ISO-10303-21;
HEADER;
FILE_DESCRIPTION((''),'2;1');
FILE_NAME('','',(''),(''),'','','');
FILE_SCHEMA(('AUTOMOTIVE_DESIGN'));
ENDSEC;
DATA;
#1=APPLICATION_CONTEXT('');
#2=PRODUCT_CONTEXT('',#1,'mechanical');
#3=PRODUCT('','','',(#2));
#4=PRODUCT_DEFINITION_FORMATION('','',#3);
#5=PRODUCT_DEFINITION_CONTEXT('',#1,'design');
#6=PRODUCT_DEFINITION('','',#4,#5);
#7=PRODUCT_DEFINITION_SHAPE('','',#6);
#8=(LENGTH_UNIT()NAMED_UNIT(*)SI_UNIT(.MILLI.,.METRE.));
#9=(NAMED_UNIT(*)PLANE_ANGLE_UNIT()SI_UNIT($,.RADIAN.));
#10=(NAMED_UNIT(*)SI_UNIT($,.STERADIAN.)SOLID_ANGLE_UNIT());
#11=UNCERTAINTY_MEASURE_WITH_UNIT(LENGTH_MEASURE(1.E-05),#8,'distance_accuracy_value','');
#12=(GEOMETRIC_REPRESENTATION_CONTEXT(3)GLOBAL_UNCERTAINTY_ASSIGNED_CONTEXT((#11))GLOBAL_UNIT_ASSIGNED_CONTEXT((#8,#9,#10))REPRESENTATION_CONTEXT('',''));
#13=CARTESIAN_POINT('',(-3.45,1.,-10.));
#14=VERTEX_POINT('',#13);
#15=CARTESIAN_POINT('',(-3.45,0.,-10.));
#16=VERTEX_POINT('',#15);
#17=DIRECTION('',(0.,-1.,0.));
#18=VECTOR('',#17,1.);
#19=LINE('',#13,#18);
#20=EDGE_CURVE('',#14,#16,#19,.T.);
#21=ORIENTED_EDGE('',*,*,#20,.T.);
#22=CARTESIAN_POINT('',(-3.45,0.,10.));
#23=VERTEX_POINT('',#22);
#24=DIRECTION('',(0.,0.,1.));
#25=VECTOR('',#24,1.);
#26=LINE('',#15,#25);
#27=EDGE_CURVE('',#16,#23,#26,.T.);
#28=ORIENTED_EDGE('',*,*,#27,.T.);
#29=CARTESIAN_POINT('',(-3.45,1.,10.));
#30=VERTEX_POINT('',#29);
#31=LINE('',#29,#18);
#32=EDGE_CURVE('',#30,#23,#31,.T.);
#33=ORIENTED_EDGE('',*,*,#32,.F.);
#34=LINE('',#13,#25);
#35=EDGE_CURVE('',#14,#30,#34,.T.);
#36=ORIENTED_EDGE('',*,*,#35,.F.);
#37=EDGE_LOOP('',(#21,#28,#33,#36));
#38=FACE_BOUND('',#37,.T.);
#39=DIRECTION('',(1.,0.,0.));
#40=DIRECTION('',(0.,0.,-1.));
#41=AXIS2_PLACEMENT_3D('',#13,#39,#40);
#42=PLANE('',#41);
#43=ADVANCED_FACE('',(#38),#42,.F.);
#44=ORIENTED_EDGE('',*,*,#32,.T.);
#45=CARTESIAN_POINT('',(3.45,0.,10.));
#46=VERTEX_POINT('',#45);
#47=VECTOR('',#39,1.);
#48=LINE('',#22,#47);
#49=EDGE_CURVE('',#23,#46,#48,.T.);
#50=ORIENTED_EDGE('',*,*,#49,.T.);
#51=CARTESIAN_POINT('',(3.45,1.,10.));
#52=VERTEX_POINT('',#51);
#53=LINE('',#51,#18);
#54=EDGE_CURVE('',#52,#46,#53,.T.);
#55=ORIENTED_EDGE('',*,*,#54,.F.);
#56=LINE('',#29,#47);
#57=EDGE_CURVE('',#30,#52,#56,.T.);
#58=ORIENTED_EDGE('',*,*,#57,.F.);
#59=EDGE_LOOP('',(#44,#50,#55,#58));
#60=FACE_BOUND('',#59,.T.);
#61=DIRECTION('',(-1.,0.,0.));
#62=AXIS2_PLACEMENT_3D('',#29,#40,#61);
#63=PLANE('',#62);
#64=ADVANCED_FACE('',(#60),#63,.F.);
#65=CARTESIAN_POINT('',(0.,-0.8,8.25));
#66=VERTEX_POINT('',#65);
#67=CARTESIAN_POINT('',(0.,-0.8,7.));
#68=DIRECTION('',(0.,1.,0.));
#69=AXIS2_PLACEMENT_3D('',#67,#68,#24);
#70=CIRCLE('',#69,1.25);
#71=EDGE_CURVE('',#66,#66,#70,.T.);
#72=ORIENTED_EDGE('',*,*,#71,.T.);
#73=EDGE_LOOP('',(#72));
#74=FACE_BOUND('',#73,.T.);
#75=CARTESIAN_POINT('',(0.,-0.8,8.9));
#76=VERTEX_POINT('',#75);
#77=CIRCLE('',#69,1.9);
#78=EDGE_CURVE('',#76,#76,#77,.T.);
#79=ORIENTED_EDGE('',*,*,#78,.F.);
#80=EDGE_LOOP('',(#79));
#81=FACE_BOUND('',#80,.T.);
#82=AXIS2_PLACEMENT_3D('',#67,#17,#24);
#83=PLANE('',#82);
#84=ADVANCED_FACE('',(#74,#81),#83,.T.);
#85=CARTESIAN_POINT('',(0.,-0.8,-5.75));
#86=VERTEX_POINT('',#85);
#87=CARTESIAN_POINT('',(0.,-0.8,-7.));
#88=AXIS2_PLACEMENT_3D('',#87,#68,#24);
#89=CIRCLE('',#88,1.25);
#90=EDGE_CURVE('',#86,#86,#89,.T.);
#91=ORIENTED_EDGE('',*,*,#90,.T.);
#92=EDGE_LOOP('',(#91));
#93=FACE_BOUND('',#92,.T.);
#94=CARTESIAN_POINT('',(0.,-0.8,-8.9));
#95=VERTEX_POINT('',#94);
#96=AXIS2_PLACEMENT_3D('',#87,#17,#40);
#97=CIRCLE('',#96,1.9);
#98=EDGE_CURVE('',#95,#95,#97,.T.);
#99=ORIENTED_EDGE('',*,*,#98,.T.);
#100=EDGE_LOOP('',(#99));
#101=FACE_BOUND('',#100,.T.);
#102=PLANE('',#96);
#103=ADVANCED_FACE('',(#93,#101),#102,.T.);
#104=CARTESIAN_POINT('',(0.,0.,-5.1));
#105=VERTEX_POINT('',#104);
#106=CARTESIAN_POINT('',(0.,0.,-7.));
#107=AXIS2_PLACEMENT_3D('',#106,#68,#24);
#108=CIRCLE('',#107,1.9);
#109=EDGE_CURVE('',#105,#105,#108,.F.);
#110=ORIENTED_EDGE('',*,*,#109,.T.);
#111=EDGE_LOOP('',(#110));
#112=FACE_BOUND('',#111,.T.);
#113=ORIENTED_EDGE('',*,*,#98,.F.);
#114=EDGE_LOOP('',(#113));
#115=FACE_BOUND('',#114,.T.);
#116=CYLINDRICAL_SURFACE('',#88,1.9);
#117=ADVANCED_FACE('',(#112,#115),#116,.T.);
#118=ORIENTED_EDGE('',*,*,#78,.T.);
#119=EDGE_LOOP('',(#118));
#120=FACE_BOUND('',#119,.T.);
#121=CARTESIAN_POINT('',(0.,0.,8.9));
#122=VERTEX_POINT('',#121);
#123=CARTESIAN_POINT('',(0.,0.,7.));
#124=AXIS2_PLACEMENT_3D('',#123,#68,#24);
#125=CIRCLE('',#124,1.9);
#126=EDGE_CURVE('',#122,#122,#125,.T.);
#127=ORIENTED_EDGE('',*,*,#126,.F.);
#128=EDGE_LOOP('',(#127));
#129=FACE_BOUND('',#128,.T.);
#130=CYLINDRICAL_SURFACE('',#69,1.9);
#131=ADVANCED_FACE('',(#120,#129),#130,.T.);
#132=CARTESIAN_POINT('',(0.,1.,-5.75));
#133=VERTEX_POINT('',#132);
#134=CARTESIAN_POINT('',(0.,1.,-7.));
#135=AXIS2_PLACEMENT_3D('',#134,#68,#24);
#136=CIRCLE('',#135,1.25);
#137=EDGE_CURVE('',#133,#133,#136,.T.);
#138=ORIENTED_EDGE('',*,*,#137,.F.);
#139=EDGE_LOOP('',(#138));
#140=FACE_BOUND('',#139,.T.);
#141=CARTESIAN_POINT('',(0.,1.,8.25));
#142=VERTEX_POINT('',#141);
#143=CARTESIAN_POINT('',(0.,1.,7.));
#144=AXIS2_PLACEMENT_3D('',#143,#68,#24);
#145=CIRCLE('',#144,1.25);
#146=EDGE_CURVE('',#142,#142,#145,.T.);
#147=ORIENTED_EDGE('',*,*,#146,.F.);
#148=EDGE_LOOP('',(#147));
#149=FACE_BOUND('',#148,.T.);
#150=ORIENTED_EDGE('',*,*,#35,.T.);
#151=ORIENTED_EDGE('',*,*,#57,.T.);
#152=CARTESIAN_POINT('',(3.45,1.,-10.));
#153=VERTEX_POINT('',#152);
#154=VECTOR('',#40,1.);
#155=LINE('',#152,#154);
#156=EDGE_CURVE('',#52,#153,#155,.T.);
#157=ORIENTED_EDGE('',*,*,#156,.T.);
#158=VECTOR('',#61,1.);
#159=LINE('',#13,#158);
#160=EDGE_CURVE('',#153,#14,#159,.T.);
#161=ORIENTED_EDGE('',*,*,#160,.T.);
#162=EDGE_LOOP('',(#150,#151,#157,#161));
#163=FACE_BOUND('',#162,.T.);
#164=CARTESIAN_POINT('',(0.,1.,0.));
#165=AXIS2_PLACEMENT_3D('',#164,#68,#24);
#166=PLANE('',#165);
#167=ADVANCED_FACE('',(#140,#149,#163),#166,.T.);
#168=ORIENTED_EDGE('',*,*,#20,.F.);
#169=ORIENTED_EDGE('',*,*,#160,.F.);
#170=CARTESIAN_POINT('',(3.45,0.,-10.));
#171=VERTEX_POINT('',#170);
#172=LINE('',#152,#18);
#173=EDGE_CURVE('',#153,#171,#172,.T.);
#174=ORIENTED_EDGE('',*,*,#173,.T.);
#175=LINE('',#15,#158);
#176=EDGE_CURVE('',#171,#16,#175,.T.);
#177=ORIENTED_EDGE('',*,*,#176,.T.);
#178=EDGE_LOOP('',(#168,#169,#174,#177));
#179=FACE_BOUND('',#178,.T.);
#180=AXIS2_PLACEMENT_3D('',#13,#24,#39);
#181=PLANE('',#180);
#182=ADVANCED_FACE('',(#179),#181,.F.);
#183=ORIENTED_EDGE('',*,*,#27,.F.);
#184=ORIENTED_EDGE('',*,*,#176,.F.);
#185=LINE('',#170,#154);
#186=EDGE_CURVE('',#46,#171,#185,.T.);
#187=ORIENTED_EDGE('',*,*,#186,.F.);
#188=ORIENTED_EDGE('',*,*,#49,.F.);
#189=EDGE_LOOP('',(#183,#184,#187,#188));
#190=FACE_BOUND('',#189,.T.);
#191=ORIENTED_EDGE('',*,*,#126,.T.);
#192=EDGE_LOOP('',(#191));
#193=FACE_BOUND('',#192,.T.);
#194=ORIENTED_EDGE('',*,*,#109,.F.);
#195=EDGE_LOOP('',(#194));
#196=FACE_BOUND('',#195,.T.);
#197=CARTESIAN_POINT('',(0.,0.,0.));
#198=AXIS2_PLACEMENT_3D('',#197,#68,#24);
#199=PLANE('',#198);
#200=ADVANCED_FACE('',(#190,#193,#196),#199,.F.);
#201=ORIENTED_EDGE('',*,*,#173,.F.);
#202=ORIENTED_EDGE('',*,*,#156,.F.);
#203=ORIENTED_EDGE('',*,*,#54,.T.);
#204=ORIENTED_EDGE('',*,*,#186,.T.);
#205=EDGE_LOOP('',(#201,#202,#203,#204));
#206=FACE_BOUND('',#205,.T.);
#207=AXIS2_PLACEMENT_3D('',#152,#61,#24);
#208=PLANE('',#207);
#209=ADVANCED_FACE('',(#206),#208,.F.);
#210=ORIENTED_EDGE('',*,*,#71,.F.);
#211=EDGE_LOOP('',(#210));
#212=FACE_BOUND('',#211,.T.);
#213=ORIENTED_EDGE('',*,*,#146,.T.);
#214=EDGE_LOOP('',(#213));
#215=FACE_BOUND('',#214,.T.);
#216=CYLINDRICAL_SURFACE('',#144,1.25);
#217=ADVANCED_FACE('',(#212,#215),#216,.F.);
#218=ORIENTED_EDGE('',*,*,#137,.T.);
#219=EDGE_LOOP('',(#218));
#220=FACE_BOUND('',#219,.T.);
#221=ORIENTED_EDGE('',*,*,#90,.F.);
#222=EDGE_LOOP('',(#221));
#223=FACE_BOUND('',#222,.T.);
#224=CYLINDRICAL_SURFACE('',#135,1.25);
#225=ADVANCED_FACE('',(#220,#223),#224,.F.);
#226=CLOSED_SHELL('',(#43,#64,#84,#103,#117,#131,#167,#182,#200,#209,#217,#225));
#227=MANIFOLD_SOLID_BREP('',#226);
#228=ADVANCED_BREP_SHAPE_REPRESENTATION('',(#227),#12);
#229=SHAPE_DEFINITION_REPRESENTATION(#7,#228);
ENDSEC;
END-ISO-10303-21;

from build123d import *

# Parameters (mm, degrees)
SKETCH1_W             = 6.9
SKETCH1_H             = 20
BOSS_EXTRUDE1_DEPTH   = 1
SKETCH4_R             = 1.9
BOSS_EXTRUDE2_DEPTH   = 0.8
M3X0_5_TAPPED_HOLE1_D = 2.5


with BuildPart() as part:
    # Sketch1 → Boss-Extrude1 (new body)
    with BuildSketch(Plane(origin=(0, 0, 0), x_dir=(1, 0, 0), z_dir=(0, 1, 0))):
        Rectangle(SKETCH1_W, SKETCH1_H)
    extrude(amount=BOSS_EXTRUDE1_DEPTH)

    # Sketch4 → Boss-Extrude2 (add)
    with BuildSketch(Plane.XZ):
        with Locations((0, -7)):
            Circle(SKETCH4_R)
    boss_extrude2 = extrude(amount=BOSS_EXTRUDE2_DEPTH)

    # Mirror2: Boss-Extrude2 across plane
    add(boss_extrude2.mirror(Plane.XY))

    # M3x0.5 Tapped Hole1 (through all)
    with Locations(Plane(origin=(0, 1, 0), x_dir=(1, 0, 0), z_dir=(0, 1, 0))):
        with Locations((0, 7)):
            m3x0_5_tapped_hole1 = Hole(M3X0_5_TAPPED_HOLE1_D / 2)

    # Mirror1: M3x0.5 Tapped Hole1 across plane
    add(m3x0_5_tapped_hole1.mirror(Plane.XY), mode=Mode.SUBTRACT)


solid = part.part
